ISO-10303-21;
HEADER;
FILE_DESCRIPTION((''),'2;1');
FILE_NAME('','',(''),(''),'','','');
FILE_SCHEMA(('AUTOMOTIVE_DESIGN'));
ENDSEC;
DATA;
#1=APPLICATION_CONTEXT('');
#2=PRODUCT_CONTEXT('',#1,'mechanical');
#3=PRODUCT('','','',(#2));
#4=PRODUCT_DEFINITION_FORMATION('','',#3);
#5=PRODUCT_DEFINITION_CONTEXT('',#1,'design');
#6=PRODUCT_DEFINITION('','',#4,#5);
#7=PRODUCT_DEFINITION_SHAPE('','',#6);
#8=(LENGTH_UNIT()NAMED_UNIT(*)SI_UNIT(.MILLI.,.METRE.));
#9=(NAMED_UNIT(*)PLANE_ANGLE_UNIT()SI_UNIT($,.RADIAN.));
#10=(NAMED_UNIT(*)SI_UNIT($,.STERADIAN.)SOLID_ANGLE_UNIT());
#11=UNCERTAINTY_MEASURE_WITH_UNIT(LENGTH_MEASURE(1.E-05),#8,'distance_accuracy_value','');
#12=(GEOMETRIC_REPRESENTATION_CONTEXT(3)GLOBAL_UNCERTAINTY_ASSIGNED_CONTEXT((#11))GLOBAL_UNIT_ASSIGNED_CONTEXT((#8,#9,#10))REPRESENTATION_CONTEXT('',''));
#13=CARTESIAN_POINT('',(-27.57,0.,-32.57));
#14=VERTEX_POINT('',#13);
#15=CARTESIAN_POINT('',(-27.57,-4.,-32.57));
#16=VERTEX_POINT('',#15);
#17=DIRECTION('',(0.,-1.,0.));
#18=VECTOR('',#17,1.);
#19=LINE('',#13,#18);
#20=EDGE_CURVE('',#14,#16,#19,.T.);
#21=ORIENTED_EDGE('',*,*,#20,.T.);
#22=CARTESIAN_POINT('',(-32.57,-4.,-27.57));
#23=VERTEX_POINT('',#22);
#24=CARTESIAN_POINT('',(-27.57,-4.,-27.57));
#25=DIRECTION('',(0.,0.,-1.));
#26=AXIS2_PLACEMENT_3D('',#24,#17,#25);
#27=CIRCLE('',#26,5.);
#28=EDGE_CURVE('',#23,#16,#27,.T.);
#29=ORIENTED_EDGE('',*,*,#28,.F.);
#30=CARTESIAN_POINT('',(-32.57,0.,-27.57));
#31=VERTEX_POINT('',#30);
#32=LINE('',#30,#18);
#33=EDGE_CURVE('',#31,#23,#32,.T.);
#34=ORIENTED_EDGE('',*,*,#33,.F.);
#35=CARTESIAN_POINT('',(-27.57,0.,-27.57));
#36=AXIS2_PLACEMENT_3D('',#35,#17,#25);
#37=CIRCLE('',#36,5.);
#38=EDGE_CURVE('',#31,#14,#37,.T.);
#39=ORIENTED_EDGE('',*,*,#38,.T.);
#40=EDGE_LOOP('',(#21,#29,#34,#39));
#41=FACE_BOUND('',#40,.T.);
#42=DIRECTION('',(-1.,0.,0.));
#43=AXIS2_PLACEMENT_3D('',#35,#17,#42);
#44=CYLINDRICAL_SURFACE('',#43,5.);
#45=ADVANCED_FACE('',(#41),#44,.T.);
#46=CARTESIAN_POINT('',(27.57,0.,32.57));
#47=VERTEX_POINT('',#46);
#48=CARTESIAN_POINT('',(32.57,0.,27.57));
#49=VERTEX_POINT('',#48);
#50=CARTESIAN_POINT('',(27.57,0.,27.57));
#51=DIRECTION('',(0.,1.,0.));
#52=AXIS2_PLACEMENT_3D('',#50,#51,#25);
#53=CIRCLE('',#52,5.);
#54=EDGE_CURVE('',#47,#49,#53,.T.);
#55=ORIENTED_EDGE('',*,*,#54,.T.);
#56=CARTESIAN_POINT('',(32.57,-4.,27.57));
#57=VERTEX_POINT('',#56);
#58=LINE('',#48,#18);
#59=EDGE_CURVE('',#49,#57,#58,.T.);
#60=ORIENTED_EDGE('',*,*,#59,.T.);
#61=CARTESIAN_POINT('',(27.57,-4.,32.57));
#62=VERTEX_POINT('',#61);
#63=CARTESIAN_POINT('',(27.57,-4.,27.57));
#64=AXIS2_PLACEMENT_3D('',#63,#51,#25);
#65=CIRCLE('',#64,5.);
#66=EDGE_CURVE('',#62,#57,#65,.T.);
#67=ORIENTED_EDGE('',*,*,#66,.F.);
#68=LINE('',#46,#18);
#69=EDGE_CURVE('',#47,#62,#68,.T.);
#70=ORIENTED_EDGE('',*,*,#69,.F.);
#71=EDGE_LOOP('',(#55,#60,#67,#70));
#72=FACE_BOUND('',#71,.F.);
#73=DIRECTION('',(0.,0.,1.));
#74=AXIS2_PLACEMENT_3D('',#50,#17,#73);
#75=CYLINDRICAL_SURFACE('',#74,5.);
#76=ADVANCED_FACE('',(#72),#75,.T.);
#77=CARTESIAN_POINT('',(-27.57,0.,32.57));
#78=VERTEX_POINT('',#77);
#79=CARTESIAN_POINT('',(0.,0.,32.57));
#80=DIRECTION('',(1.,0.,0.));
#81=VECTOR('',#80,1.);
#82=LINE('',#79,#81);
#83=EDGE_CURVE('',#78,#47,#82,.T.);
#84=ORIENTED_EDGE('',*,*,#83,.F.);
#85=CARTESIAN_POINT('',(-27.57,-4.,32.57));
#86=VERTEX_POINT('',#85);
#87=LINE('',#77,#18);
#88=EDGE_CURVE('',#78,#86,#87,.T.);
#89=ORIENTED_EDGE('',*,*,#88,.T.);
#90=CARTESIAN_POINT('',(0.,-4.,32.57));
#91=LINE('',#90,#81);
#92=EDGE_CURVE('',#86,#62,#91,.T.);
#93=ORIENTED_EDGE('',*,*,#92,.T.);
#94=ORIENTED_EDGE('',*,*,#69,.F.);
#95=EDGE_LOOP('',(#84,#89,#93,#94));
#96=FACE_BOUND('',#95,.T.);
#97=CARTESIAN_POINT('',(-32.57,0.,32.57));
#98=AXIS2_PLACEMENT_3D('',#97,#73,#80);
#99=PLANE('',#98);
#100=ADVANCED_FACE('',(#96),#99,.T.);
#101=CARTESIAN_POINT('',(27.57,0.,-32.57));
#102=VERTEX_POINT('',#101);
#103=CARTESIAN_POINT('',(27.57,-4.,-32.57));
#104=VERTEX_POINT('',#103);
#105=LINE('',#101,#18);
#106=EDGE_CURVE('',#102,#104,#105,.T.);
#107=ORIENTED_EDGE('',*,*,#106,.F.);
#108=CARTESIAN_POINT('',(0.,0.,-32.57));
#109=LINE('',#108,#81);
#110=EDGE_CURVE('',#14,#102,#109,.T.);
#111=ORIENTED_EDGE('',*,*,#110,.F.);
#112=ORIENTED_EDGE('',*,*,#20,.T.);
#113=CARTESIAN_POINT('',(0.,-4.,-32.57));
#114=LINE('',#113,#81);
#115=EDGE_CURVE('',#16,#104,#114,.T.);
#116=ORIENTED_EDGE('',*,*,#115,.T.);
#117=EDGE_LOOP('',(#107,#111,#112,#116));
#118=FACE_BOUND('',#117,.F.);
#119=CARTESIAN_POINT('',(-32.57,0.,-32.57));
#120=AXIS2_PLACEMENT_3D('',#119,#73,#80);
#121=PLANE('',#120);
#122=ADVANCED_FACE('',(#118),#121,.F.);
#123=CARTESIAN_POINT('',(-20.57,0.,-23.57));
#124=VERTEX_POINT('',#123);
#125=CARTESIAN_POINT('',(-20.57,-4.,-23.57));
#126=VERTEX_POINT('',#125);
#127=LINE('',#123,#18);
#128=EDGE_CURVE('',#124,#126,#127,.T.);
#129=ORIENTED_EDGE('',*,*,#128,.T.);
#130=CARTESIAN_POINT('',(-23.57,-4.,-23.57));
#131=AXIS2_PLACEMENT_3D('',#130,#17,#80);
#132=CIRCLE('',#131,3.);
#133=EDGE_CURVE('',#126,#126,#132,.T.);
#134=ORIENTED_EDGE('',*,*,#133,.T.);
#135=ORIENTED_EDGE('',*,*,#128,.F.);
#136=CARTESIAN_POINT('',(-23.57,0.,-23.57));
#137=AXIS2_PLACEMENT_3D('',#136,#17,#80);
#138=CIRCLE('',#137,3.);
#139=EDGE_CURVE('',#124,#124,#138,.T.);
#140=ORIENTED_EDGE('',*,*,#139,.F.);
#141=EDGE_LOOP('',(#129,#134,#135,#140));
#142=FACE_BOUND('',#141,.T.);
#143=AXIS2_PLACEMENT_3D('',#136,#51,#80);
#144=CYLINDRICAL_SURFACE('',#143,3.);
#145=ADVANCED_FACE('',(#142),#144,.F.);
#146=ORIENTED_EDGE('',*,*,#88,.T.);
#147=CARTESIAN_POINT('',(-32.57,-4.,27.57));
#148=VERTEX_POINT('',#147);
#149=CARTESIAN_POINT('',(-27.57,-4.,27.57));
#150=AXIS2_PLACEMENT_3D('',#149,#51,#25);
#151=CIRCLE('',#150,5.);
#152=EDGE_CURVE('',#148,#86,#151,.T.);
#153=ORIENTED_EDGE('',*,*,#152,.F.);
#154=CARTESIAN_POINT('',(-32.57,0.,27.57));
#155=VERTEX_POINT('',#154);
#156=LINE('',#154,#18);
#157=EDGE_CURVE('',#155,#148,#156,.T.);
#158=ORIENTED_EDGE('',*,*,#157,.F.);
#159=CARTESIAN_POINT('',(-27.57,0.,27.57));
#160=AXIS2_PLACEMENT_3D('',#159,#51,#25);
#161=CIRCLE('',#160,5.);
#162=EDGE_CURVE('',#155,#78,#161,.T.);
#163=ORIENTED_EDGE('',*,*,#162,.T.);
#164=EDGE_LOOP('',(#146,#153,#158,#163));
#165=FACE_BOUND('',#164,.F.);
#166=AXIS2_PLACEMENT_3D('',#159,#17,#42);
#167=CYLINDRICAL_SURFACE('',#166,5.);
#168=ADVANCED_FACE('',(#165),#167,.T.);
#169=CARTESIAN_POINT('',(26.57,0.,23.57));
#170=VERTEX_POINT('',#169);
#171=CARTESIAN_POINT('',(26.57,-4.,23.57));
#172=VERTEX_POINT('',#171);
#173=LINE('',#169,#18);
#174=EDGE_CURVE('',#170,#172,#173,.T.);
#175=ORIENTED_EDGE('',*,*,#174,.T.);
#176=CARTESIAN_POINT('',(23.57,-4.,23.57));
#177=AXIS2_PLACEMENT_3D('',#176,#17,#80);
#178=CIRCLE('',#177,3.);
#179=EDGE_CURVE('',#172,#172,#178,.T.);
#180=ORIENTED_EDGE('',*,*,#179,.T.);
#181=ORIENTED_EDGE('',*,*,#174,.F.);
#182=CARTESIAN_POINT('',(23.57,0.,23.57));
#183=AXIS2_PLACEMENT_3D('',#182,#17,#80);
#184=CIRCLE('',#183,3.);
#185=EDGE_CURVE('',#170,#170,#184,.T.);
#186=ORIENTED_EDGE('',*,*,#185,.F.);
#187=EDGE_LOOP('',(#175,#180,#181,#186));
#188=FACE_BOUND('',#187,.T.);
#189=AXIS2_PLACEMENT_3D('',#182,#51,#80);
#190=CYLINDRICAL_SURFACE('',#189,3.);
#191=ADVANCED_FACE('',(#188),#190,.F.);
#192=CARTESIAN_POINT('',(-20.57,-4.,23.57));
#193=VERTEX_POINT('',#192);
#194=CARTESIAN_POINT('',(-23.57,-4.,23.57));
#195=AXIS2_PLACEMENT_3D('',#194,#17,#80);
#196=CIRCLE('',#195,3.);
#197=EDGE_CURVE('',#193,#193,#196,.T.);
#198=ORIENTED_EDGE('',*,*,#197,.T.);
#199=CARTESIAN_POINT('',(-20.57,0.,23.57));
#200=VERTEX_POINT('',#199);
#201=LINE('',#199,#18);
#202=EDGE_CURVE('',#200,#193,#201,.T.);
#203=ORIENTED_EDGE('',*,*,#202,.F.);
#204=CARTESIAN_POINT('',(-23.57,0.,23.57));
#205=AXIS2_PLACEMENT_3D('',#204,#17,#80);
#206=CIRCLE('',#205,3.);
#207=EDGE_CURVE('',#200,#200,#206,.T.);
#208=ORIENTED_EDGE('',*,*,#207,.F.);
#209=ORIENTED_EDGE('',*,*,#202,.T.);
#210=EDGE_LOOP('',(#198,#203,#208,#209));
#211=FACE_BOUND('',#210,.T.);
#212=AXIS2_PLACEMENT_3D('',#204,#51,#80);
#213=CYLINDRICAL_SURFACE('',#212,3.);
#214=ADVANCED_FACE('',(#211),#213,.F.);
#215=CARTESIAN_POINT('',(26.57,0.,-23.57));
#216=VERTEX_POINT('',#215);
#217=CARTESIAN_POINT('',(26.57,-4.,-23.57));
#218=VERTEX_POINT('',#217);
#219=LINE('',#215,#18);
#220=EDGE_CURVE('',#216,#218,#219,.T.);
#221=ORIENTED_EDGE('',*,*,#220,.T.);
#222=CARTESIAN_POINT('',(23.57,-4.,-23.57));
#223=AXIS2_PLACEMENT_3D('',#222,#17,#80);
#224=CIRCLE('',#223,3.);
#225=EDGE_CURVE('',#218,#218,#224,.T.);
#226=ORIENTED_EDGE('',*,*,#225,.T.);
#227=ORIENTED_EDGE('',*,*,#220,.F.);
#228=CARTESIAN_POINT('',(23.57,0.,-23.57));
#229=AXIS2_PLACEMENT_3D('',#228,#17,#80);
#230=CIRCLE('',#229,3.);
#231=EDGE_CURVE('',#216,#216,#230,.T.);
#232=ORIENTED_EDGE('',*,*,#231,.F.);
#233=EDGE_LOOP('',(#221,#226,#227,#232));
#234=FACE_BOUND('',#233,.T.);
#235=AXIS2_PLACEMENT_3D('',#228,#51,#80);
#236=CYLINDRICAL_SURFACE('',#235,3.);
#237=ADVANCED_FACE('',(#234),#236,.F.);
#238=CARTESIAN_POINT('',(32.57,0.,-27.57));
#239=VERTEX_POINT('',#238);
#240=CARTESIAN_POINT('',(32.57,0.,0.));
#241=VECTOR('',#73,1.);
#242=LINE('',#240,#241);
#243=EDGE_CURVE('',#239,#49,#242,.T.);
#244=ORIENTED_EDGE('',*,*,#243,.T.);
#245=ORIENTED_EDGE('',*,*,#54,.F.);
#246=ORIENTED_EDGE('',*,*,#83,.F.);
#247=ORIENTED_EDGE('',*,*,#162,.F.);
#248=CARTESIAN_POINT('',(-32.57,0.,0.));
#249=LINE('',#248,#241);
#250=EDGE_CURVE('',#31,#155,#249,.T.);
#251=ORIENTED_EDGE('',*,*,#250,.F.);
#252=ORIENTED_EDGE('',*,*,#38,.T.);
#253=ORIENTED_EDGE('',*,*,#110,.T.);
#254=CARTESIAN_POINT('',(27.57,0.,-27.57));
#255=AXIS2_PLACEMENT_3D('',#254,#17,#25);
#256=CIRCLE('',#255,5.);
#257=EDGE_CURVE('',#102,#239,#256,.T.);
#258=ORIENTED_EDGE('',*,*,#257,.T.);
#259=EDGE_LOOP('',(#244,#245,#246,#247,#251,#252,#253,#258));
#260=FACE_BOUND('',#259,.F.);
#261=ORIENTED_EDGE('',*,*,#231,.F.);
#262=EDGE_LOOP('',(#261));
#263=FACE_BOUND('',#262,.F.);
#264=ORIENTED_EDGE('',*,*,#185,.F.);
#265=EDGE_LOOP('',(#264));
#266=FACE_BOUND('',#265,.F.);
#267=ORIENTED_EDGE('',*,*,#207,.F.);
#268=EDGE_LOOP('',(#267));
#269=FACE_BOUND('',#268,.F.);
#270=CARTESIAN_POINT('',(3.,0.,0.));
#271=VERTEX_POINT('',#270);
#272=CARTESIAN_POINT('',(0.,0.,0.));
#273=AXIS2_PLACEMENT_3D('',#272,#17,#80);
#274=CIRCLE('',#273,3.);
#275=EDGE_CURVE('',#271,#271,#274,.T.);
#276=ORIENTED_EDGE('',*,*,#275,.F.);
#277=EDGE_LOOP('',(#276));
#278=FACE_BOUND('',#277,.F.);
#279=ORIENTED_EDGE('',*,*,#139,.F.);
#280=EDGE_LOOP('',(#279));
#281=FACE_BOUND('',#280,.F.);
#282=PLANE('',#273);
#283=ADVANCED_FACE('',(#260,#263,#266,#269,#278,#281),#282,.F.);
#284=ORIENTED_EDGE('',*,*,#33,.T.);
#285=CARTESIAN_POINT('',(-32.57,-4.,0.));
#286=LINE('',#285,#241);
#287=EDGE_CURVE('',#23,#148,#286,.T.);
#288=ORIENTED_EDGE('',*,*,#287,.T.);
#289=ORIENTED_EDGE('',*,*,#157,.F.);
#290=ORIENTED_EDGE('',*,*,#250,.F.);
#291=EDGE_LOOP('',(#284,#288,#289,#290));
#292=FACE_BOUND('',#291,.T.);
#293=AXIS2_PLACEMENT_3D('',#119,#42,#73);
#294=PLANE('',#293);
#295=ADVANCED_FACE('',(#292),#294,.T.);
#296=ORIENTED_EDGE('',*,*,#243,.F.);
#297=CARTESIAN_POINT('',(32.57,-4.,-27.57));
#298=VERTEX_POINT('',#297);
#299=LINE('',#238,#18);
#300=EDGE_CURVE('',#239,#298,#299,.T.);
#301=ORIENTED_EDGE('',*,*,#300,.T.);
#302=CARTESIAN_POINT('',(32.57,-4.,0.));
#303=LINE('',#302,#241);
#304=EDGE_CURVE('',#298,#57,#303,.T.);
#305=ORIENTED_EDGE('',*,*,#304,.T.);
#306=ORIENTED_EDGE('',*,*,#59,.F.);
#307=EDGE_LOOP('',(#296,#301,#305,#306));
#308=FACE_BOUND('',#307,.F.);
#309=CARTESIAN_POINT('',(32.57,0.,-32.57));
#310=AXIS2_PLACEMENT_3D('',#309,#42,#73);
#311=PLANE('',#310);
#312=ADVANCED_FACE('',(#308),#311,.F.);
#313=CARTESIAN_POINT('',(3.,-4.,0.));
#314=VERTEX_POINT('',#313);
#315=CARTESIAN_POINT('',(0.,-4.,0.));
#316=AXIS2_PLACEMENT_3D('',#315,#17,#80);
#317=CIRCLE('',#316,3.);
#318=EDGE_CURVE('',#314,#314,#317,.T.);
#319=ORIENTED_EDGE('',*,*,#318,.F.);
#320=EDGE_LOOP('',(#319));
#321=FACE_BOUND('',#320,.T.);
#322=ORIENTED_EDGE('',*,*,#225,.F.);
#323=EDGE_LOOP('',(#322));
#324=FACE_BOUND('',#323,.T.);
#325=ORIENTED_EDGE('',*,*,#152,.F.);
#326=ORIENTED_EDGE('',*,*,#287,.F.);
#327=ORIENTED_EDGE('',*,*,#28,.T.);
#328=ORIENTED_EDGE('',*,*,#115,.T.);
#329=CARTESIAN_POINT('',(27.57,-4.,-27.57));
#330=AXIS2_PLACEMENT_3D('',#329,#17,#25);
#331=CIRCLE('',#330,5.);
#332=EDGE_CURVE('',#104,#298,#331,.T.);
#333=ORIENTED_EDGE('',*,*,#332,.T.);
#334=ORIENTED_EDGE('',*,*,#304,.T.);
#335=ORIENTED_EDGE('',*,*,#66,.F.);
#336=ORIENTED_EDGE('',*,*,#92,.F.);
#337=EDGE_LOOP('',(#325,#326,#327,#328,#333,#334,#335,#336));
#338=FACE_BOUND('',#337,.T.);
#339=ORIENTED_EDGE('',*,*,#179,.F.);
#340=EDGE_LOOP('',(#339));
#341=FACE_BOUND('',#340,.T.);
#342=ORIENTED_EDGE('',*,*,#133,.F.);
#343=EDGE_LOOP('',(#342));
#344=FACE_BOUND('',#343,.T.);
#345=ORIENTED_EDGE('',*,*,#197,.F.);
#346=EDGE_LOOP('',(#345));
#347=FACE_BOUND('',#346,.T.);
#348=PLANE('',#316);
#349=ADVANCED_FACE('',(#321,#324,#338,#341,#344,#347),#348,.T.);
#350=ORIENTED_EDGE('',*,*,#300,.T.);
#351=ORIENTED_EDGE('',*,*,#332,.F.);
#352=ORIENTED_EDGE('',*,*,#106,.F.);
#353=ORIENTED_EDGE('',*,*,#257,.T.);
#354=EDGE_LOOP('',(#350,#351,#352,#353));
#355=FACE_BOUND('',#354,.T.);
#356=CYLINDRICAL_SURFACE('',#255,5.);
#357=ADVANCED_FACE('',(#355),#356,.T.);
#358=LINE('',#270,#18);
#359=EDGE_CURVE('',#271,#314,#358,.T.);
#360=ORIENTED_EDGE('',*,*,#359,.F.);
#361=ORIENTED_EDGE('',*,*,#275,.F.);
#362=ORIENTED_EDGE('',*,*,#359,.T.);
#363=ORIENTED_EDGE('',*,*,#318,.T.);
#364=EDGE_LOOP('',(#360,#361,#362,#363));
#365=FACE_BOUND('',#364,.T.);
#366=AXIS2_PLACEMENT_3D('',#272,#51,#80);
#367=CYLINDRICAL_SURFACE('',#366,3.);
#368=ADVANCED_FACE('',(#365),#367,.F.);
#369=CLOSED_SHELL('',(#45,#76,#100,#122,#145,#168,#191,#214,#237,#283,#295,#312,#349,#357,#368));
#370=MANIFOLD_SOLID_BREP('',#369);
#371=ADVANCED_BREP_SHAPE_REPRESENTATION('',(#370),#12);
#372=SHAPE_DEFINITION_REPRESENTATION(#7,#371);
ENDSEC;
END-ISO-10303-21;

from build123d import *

# Parameters (mm, degrees)
F0_W     = 65.14
F0_H     = 65.14
F0_R     = 3
F1_DEPTH = 4
F2_R     = 5


with BuildPart() as f1:
    # F0 (on Front) → F1 (new body)
    with BuildSketch(Plane.XZ):
        Rectangle(F0_W, F0_H)
        with Locations((-23.57, -23.57)):
            Circle(F0_R, mode=Mode.SUBTRACT)
        with Locations((23.57, -23.57)):
            Circle(F0_R, mode=Mode.SUBTRACT)
        with Locations((-23.57, 23.57)):
            Circle(F0_R, mode=Mode.SUBTRACT)
        Circle(F0_R, mode=Mode.SUBTRACT)
        with Locations((23.57, 23.57)):
            Circle(F0_R, mode=Mode.SUBTRACT)
    extrude(amount=F1_DEPTH)

    # F2
    f2_edges = [f1.edges().sort_by_distance(p)[0] for p in [
        (32.57, -2, -32.57),
        (-32.57, -2, -32.57),
        (-32.57, -2, 32.57),
        (32.57, -2, 32.57),
    ]]
    fillet(f2_edges, radius=F2_R)


solid = f1.part
